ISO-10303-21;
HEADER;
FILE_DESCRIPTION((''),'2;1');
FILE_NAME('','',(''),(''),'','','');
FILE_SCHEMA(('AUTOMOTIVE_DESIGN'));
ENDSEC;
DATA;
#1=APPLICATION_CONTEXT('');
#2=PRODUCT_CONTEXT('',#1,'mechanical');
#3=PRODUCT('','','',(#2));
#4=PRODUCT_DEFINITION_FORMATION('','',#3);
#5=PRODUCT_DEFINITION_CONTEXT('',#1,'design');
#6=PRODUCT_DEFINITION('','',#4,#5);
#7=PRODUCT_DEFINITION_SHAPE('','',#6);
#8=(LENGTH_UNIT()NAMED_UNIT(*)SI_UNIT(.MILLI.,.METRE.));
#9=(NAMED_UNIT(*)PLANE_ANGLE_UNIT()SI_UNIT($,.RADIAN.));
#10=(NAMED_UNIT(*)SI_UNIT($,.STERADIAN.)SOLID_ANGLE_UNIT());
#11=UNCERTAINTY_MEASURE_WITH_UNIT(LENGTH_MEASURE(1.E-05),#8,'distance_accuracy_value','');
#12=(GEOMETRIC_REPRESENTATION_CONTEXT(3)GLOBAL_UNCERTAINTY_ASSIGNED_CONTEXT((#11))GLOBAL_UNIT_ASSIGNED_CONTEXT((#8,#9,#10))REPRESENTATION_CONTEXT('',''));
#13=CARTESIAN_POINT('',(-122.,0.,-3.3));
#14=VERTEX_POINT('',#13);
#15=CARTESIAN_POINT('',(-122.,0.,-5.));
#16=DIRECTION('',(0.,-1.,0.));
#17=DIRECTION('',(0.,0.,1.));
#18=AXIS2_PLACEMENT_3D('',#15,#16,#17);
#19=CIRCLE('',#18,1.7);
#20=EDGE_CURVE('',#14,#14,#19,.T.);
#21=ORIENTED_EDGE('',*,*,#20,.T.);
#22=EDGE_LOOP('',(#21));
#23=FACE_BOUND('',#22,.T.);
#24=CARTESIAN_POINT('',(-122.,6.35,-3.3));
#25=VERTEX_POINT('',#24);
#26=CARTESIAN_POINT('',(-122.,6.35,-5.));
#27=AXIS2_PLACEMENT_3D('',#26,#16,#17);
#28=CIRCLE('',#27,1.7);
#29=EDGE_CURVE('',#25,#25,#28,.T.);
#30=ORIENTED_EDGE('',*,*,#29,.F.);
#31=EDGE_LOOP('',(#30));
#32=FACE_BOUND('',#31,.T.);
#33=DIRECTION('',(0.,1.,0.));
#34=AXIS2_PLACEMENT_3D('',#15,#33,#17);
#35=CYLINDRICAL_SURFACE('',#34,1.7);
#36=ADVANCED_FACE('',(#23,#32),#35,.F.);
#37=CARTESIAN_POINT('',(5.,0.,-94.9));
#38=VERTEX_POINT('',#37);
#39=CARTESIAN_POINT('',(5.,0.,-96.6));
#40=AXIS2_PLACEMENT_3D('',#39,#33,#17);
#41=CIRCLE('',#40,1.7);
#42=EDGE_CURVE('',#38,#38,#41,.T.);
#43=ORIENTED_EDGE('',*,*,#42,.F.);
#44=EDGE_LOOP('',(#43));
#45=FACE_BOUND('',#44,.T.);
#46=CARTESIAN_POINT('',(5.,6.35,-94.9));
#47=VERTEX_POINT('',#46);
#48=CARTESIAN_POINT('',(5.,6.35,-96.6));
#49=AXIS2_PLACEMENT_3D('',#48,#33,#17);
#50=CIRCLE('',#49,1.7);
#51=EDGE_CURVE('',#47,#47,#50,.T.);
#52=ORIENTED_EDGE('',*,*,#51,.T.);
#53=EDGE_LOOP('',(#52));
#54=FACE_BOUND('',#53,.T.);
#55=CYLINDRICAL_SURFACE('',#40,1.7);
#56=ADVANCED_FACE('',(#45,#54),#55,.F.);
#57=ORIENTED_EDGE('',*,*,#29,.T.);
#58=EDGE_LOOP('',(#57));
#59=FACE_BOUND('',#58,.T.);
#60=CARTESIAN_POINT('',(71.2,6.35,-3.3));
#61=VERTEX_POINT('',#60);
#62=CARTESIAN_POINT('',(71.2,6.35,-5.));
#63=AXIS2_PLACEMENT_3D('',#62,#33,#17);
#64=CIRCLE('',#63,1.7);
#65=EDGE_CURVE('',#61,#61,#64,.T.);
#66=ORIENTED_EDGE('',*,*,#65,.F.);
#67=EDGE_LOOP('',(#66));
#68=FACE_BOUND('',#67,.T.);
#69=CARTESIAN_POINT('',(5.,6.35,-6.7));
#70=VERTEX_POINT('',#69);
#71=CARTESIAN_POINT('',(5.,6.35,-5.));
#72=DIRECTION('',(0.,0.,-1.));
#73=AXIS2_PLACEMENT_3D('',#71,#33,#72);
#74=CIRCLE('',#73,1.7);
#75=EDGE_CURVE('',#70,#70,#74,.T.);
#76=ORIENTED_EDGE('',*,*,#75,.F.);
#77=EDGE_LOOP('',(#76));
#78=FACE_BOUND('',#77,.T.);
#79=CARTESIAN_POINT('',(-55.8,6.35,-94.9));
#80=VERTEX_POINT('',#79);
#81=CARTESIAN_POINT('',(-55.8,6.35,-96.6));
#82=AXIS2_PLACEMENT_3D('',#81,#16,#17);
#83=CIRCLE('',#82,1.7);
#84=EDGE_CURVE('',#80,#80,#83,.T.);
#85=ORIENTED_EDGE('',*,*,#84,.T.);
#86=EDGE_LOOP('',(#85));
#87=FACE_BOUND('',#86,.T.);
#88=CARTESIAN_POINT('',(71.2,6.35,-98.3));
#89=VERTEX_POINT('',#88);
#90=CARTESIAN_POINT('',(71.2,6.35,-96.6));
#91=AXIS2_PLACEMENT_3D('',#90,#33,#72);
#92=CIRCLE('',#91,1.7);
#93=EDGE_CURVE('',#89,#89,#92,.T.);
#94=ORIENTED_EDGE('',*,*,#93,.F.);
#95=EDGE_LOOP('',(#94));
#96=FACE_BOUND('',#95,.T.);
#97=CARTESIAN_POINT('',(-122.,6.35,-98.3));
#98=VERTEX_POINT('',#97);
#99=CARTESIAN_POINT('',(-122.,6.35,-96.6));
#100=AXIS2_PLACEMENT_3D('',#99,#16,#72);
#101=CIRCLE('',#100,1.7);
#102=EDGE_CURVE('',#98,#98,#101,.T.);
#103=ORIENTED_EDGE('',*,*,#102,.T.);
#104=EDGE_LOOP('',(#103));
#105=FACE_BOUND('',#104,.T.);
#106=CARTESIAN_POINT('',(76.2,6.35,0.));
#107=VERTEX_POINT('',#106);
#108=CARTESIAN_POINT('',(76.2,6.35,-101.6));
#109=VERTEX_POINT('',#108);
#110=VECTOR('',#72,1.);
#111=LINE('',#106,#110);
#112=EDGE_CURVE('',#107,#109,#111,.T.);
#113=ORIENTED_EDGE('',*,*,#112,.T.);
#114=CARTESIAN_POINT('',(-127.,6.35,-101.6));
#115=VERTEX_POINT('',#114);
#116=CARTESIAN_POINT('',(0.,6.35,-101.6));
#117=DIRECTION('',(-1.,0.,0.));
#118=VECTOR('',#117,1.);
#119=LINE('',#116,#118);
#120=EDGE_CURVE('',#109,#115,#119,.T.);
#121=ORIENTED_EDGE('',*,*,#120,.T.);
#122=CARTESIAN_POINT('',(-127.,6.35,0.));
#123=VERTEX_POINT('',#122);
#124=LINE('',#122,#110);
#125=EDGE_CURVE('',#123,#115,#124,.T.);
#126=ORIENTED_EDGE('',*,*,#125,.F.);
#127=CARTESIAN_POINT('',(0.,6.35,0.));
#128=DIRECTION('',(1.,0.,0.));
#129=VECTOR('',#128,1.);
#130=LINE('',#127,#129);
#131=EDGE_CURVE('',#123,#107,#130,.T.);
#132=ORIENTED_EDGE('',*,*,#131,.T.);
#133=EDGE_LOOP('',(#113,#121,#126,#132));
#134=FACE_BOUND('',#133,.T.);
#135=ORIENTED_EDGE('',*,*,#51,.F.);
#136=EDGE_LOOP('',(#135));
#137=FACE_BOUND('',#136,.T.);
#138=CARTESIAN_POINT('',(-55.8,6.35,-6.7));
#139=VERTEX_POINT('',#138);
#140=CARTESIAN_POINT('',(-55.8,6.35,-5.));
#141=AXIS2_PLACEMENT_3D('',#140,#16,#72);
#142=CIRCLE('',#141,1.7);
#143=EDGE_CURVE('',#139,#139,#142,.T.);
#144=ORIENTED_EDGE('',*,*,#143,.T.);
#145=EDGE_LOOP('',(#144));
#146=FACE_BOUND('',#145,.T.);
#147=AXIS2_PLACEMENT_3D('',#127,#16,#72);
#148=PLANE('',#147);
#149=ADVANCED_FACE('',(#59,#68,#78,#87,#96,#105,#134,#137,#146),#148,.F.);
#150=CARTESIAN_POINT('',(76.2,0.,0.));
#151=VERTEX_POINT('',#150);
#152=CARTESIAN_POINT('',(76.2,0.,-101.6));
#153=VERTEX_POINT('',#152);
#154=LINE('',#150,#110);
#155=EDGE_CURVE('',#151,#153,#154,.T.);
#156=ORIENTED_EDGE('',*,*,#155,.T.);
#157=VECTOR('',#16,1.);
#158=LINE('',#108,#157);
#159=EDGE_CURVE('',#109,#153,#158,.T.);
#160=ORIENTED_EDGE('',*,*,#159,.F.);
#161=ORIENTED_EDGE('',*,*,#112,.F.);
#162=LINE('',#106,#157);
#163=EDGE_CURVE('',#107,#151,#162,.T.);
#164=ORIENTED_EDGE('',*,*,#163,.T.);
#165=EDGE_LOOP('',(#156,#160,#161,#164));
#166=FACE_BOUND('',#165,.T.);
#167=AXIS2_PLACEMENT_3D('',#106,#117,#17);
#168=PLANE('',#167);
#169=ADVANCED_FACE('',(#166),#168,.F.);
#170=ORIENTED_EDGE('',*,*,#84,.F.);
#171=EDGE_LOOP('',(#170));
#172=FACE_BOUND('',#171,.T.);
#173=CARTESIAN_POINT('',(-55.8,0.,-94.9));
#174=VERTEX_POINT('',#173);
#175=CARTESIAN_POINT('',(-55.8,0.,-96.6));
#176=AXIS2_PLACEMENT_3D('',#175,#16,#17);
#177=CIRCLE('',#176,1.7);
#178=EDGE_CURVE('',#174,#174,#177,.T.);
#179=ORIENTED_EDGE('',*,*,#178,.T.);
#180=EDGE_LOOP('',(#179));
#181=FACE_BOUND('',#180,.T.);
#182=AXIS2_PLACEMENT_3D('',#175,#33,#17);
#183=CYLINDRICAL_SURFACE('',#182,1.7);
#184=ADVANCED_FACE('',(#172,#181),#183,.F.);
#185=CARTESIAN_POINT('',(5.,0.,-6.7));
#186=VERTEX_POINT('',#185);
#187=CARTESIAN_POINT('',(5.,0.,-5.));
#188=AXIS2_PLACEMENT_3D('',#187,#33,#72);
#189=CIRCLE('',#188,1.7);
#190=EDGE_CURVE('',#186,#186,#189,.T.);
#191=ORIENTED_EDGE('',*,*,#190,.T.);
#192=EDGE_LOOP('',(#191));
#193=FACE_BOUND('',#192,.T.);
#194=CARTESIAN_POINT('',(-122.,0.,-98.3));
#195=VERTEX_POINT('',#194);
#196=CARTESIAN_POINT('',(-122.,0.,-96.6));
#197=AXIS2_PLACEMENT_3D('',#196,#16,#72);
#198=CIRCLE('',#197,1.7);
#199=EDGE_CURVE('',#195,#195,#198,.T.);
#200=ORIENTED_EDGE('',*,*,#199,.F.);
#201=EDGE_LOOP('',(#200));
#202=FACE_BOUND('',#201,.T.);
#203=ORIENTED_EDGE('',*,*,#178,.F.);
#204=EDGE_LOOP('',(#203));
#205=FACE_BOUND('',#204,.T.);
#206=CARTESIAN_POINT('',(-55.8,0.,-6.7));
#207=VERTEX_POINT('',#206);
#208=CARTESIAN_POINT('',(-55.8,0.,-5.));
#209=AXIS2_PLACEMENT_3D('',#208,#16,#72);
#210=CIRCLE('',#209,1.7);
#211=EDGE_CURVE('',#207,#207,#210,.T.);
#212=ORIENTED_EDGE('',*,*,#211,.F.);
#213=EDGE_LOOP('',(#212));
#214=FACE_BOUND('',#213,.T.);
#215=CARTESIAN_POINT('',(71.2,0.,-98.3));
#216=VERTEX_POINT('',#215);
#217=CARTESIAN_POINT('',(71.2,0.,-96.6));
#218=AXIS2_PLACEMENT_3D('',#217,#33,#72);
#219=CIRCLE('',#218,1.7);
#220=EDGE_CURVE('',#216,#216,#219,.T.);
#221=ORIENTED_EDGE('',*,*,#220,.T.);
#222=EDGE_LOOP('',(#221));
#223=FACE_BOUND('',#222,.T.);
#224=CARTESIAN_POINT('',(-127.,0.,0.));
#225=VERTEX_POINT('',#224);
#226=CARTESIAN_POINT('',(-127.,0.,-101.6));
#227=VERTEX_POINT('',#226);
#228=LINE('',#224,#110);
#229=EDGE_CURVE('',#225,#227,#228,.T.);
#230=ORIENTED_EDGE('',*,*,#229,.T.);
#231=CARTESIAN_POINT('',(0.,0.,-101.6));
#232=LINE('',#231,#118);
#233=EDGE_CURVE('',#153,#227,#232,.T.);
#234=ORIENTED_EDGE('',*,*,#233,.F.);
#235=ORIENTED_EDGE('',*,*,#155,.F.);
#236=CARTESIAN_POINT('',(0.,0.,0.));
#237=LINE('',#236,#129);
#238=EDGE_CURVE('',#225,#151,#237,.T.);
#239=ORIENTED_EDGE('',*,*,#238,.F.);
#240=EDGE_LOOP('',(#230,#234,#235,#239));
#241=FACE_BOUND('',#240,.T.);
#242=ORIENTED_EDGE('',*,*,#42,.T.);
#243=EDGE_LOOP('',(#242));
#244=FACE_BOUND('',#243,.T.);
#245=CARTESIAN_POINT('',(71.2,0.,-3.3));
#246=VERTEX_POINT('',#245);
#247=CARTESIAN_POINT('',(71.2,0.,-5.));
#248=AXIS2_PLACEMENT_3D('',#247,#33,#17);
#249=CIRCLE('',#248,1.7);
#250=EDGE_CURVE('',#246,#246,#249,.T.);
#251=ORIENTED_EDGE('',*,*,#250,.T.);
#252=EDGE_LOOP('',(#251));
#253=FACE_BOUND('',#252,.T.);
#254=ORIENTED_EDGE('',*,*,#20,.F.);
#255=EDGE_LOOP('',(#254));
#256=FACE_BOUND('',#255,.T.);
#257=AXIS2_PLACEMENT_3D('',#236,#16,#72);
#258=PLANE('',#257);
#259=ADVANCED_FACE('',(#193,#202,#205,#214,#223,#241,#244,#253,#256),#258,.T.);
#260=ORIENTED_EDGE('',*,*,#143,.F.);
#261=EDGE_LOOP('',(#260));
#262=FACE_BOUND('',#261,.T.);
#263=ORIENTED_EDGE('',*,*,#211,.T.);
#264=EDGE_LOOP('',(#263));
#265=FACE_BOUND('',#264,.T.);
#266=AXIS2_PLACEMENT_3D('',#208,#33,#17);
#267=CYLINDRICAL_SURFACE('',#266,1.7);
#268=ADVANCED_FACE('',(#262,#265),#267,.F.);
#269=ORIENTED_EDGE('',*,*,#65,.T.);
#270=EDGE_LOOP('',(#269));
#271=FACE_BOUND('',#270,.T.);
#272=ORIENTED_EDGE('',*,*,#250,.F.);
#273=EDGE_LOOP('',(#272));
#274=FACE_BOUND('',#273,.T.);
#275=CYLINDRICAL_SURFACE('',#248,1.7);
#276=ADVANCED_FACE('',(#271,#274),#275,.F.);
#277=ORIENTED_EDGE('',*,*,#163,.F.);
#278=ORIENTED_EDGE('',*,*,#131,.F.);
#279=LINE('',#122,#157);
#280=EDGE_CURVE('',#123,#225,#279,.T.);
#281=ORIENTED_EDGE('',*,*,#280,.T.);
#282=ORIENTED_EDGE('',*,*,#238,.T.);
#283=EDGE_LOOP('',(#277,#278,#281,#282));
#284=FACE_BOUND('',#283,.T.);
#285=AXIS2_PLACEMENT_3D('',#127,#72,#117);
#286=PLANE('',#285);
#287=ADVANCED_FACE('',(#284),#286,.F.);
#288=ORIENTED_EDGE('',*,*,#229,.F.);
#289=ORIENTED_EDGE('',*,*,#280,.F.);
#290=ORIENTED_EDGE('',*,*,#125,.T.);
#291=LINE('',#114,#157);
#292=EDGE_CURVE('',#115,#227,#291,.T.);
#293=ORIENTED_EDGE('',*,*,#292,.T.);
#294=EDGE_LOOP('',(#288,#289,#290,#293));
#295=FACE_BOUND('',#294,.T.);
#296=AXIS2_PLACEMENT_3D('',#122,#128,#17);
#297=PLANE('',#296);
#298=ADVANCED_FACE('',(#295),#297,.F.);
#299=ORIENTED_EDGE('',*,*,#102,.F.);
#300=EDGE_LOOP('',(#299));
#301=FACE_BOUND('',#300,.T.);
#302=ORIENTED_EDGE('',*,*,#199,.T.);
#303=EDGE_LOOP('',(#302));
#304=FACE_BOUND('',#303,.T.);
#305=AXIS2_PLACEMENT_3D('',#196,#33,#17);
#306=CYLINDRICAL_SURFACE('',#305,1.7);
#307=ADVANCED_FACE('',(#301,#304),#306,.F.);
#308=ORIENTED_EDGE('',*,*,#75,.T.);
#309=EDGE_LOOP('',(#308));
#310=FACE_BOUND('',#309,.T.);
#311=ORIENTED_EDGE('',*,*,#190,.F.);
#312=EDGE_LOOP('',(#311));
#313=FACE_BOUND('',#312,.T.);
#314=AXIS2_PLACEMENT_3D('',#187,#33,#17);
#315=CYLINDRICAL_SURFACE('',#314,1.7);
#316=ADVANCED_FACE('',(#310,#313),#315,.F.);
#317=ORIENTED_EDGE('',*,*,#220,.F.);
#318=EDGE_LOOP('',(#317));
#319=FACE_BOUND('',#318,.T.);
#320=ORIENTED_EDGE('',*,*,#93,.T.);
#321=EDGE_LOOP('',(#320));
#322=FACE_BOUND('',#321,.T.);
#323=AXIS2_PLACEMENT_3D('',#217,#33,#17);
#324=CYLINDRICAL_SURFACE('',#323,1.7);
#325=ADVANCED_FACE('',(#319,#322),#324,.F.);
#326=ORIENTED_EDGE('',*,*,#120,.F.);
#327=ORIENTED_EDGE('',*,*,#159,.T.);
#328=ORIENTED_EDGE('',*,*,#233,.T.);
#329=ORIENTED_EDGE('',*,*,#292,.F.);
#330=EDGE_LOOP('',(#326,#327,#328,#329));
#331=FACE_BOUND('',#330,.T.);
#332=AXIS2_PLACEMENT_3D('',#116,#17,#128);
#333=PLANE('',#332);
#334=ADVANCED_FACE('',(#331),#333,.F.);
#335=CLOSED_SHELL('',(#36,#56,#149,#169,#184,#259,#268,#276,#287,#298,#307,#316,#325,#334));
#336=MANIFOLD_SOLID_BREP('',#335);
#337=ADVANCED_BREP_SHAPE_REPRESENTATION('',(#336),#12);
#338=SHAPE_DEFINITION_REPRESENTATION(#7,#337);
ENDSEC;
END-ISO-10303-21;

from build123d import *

# Parameters (mm, degrees)
SKETCH1_W           = 76.2
SKETCH1_H           = 101.6
BOSS_EXTRUDE1_DEPTH = 6.35
SKETCH2_R           = 1.7
CUT_EXTRUDE1_DEPTH  = 128.158650905
SKETCH3_W           = 101.6
SKETCH3_H           = 6.35
BOSS_EXTRUDE2_DEPTH = 50.8


with BuildPart() as part:
    # Sketch1 → Boss-Extrude1 (new body)
    with BuildSketch(Plane(origin=(0, 0, 0), x_dir=(1, 0, 0), z_dir=(0, 1, 0))):
        with Locations((38.1, 50.8)):
            Rectangle(SKETCH1_W, SKETCH1_H)
    extrude(amount=BOSS_EXTRUDE1_DEPTH)

    # Sketch2 → Cut-Extrude1 (cut, through all)
    with BuildSketch(Plane(origin=(0, 6.35, 0), x_dir=(1, 0, 0), z_dir=(0, 1, 0))):
        with Locations(Location((5, 96.6, 0), (0, 0, 270))):
            Circle(SKETCH2_R)
        with Locations(Location((71.2, 96.6, 0), (0, 0, 90))):
            Circle(SKETCH2_R)
        with Locations(Location((71.2, 5, 0), (0, 0, 270))):
            Circle(SKETCH2_R)
        with Locations(Location((5, 5, 0), (0, 0, 90))):
            Circle(SKETCH2_R)
    extrude(amount=-CUT_EXTRUDE1_DEPTH, mode=Mode.SUBTRACT)


with BuildPart() as body_2:
    # Mirror2: mirrored copy
    add(part.part.mirror(Plane.ZY.offset(25.4)))


with BuildPart() as part_1:
    add(part.part)

    add(body_2.part)  # Boss-Extrude2 merges body 2
    # Sketch3 → Boss-Extrude2 (add)
    with BuildSketch(Plane(origin=(-50.8, 0, 0), x_dir=(0, 0, -1), z_dir=(1, 0, 0))):
        with Locations((50.8, 3.175)):
            Rectangle(SKETCH3_W, SKETCH3_H)
    extrude(amount=BOSS_EXTRUDE2_DEPTH)


solid = part_1.part
